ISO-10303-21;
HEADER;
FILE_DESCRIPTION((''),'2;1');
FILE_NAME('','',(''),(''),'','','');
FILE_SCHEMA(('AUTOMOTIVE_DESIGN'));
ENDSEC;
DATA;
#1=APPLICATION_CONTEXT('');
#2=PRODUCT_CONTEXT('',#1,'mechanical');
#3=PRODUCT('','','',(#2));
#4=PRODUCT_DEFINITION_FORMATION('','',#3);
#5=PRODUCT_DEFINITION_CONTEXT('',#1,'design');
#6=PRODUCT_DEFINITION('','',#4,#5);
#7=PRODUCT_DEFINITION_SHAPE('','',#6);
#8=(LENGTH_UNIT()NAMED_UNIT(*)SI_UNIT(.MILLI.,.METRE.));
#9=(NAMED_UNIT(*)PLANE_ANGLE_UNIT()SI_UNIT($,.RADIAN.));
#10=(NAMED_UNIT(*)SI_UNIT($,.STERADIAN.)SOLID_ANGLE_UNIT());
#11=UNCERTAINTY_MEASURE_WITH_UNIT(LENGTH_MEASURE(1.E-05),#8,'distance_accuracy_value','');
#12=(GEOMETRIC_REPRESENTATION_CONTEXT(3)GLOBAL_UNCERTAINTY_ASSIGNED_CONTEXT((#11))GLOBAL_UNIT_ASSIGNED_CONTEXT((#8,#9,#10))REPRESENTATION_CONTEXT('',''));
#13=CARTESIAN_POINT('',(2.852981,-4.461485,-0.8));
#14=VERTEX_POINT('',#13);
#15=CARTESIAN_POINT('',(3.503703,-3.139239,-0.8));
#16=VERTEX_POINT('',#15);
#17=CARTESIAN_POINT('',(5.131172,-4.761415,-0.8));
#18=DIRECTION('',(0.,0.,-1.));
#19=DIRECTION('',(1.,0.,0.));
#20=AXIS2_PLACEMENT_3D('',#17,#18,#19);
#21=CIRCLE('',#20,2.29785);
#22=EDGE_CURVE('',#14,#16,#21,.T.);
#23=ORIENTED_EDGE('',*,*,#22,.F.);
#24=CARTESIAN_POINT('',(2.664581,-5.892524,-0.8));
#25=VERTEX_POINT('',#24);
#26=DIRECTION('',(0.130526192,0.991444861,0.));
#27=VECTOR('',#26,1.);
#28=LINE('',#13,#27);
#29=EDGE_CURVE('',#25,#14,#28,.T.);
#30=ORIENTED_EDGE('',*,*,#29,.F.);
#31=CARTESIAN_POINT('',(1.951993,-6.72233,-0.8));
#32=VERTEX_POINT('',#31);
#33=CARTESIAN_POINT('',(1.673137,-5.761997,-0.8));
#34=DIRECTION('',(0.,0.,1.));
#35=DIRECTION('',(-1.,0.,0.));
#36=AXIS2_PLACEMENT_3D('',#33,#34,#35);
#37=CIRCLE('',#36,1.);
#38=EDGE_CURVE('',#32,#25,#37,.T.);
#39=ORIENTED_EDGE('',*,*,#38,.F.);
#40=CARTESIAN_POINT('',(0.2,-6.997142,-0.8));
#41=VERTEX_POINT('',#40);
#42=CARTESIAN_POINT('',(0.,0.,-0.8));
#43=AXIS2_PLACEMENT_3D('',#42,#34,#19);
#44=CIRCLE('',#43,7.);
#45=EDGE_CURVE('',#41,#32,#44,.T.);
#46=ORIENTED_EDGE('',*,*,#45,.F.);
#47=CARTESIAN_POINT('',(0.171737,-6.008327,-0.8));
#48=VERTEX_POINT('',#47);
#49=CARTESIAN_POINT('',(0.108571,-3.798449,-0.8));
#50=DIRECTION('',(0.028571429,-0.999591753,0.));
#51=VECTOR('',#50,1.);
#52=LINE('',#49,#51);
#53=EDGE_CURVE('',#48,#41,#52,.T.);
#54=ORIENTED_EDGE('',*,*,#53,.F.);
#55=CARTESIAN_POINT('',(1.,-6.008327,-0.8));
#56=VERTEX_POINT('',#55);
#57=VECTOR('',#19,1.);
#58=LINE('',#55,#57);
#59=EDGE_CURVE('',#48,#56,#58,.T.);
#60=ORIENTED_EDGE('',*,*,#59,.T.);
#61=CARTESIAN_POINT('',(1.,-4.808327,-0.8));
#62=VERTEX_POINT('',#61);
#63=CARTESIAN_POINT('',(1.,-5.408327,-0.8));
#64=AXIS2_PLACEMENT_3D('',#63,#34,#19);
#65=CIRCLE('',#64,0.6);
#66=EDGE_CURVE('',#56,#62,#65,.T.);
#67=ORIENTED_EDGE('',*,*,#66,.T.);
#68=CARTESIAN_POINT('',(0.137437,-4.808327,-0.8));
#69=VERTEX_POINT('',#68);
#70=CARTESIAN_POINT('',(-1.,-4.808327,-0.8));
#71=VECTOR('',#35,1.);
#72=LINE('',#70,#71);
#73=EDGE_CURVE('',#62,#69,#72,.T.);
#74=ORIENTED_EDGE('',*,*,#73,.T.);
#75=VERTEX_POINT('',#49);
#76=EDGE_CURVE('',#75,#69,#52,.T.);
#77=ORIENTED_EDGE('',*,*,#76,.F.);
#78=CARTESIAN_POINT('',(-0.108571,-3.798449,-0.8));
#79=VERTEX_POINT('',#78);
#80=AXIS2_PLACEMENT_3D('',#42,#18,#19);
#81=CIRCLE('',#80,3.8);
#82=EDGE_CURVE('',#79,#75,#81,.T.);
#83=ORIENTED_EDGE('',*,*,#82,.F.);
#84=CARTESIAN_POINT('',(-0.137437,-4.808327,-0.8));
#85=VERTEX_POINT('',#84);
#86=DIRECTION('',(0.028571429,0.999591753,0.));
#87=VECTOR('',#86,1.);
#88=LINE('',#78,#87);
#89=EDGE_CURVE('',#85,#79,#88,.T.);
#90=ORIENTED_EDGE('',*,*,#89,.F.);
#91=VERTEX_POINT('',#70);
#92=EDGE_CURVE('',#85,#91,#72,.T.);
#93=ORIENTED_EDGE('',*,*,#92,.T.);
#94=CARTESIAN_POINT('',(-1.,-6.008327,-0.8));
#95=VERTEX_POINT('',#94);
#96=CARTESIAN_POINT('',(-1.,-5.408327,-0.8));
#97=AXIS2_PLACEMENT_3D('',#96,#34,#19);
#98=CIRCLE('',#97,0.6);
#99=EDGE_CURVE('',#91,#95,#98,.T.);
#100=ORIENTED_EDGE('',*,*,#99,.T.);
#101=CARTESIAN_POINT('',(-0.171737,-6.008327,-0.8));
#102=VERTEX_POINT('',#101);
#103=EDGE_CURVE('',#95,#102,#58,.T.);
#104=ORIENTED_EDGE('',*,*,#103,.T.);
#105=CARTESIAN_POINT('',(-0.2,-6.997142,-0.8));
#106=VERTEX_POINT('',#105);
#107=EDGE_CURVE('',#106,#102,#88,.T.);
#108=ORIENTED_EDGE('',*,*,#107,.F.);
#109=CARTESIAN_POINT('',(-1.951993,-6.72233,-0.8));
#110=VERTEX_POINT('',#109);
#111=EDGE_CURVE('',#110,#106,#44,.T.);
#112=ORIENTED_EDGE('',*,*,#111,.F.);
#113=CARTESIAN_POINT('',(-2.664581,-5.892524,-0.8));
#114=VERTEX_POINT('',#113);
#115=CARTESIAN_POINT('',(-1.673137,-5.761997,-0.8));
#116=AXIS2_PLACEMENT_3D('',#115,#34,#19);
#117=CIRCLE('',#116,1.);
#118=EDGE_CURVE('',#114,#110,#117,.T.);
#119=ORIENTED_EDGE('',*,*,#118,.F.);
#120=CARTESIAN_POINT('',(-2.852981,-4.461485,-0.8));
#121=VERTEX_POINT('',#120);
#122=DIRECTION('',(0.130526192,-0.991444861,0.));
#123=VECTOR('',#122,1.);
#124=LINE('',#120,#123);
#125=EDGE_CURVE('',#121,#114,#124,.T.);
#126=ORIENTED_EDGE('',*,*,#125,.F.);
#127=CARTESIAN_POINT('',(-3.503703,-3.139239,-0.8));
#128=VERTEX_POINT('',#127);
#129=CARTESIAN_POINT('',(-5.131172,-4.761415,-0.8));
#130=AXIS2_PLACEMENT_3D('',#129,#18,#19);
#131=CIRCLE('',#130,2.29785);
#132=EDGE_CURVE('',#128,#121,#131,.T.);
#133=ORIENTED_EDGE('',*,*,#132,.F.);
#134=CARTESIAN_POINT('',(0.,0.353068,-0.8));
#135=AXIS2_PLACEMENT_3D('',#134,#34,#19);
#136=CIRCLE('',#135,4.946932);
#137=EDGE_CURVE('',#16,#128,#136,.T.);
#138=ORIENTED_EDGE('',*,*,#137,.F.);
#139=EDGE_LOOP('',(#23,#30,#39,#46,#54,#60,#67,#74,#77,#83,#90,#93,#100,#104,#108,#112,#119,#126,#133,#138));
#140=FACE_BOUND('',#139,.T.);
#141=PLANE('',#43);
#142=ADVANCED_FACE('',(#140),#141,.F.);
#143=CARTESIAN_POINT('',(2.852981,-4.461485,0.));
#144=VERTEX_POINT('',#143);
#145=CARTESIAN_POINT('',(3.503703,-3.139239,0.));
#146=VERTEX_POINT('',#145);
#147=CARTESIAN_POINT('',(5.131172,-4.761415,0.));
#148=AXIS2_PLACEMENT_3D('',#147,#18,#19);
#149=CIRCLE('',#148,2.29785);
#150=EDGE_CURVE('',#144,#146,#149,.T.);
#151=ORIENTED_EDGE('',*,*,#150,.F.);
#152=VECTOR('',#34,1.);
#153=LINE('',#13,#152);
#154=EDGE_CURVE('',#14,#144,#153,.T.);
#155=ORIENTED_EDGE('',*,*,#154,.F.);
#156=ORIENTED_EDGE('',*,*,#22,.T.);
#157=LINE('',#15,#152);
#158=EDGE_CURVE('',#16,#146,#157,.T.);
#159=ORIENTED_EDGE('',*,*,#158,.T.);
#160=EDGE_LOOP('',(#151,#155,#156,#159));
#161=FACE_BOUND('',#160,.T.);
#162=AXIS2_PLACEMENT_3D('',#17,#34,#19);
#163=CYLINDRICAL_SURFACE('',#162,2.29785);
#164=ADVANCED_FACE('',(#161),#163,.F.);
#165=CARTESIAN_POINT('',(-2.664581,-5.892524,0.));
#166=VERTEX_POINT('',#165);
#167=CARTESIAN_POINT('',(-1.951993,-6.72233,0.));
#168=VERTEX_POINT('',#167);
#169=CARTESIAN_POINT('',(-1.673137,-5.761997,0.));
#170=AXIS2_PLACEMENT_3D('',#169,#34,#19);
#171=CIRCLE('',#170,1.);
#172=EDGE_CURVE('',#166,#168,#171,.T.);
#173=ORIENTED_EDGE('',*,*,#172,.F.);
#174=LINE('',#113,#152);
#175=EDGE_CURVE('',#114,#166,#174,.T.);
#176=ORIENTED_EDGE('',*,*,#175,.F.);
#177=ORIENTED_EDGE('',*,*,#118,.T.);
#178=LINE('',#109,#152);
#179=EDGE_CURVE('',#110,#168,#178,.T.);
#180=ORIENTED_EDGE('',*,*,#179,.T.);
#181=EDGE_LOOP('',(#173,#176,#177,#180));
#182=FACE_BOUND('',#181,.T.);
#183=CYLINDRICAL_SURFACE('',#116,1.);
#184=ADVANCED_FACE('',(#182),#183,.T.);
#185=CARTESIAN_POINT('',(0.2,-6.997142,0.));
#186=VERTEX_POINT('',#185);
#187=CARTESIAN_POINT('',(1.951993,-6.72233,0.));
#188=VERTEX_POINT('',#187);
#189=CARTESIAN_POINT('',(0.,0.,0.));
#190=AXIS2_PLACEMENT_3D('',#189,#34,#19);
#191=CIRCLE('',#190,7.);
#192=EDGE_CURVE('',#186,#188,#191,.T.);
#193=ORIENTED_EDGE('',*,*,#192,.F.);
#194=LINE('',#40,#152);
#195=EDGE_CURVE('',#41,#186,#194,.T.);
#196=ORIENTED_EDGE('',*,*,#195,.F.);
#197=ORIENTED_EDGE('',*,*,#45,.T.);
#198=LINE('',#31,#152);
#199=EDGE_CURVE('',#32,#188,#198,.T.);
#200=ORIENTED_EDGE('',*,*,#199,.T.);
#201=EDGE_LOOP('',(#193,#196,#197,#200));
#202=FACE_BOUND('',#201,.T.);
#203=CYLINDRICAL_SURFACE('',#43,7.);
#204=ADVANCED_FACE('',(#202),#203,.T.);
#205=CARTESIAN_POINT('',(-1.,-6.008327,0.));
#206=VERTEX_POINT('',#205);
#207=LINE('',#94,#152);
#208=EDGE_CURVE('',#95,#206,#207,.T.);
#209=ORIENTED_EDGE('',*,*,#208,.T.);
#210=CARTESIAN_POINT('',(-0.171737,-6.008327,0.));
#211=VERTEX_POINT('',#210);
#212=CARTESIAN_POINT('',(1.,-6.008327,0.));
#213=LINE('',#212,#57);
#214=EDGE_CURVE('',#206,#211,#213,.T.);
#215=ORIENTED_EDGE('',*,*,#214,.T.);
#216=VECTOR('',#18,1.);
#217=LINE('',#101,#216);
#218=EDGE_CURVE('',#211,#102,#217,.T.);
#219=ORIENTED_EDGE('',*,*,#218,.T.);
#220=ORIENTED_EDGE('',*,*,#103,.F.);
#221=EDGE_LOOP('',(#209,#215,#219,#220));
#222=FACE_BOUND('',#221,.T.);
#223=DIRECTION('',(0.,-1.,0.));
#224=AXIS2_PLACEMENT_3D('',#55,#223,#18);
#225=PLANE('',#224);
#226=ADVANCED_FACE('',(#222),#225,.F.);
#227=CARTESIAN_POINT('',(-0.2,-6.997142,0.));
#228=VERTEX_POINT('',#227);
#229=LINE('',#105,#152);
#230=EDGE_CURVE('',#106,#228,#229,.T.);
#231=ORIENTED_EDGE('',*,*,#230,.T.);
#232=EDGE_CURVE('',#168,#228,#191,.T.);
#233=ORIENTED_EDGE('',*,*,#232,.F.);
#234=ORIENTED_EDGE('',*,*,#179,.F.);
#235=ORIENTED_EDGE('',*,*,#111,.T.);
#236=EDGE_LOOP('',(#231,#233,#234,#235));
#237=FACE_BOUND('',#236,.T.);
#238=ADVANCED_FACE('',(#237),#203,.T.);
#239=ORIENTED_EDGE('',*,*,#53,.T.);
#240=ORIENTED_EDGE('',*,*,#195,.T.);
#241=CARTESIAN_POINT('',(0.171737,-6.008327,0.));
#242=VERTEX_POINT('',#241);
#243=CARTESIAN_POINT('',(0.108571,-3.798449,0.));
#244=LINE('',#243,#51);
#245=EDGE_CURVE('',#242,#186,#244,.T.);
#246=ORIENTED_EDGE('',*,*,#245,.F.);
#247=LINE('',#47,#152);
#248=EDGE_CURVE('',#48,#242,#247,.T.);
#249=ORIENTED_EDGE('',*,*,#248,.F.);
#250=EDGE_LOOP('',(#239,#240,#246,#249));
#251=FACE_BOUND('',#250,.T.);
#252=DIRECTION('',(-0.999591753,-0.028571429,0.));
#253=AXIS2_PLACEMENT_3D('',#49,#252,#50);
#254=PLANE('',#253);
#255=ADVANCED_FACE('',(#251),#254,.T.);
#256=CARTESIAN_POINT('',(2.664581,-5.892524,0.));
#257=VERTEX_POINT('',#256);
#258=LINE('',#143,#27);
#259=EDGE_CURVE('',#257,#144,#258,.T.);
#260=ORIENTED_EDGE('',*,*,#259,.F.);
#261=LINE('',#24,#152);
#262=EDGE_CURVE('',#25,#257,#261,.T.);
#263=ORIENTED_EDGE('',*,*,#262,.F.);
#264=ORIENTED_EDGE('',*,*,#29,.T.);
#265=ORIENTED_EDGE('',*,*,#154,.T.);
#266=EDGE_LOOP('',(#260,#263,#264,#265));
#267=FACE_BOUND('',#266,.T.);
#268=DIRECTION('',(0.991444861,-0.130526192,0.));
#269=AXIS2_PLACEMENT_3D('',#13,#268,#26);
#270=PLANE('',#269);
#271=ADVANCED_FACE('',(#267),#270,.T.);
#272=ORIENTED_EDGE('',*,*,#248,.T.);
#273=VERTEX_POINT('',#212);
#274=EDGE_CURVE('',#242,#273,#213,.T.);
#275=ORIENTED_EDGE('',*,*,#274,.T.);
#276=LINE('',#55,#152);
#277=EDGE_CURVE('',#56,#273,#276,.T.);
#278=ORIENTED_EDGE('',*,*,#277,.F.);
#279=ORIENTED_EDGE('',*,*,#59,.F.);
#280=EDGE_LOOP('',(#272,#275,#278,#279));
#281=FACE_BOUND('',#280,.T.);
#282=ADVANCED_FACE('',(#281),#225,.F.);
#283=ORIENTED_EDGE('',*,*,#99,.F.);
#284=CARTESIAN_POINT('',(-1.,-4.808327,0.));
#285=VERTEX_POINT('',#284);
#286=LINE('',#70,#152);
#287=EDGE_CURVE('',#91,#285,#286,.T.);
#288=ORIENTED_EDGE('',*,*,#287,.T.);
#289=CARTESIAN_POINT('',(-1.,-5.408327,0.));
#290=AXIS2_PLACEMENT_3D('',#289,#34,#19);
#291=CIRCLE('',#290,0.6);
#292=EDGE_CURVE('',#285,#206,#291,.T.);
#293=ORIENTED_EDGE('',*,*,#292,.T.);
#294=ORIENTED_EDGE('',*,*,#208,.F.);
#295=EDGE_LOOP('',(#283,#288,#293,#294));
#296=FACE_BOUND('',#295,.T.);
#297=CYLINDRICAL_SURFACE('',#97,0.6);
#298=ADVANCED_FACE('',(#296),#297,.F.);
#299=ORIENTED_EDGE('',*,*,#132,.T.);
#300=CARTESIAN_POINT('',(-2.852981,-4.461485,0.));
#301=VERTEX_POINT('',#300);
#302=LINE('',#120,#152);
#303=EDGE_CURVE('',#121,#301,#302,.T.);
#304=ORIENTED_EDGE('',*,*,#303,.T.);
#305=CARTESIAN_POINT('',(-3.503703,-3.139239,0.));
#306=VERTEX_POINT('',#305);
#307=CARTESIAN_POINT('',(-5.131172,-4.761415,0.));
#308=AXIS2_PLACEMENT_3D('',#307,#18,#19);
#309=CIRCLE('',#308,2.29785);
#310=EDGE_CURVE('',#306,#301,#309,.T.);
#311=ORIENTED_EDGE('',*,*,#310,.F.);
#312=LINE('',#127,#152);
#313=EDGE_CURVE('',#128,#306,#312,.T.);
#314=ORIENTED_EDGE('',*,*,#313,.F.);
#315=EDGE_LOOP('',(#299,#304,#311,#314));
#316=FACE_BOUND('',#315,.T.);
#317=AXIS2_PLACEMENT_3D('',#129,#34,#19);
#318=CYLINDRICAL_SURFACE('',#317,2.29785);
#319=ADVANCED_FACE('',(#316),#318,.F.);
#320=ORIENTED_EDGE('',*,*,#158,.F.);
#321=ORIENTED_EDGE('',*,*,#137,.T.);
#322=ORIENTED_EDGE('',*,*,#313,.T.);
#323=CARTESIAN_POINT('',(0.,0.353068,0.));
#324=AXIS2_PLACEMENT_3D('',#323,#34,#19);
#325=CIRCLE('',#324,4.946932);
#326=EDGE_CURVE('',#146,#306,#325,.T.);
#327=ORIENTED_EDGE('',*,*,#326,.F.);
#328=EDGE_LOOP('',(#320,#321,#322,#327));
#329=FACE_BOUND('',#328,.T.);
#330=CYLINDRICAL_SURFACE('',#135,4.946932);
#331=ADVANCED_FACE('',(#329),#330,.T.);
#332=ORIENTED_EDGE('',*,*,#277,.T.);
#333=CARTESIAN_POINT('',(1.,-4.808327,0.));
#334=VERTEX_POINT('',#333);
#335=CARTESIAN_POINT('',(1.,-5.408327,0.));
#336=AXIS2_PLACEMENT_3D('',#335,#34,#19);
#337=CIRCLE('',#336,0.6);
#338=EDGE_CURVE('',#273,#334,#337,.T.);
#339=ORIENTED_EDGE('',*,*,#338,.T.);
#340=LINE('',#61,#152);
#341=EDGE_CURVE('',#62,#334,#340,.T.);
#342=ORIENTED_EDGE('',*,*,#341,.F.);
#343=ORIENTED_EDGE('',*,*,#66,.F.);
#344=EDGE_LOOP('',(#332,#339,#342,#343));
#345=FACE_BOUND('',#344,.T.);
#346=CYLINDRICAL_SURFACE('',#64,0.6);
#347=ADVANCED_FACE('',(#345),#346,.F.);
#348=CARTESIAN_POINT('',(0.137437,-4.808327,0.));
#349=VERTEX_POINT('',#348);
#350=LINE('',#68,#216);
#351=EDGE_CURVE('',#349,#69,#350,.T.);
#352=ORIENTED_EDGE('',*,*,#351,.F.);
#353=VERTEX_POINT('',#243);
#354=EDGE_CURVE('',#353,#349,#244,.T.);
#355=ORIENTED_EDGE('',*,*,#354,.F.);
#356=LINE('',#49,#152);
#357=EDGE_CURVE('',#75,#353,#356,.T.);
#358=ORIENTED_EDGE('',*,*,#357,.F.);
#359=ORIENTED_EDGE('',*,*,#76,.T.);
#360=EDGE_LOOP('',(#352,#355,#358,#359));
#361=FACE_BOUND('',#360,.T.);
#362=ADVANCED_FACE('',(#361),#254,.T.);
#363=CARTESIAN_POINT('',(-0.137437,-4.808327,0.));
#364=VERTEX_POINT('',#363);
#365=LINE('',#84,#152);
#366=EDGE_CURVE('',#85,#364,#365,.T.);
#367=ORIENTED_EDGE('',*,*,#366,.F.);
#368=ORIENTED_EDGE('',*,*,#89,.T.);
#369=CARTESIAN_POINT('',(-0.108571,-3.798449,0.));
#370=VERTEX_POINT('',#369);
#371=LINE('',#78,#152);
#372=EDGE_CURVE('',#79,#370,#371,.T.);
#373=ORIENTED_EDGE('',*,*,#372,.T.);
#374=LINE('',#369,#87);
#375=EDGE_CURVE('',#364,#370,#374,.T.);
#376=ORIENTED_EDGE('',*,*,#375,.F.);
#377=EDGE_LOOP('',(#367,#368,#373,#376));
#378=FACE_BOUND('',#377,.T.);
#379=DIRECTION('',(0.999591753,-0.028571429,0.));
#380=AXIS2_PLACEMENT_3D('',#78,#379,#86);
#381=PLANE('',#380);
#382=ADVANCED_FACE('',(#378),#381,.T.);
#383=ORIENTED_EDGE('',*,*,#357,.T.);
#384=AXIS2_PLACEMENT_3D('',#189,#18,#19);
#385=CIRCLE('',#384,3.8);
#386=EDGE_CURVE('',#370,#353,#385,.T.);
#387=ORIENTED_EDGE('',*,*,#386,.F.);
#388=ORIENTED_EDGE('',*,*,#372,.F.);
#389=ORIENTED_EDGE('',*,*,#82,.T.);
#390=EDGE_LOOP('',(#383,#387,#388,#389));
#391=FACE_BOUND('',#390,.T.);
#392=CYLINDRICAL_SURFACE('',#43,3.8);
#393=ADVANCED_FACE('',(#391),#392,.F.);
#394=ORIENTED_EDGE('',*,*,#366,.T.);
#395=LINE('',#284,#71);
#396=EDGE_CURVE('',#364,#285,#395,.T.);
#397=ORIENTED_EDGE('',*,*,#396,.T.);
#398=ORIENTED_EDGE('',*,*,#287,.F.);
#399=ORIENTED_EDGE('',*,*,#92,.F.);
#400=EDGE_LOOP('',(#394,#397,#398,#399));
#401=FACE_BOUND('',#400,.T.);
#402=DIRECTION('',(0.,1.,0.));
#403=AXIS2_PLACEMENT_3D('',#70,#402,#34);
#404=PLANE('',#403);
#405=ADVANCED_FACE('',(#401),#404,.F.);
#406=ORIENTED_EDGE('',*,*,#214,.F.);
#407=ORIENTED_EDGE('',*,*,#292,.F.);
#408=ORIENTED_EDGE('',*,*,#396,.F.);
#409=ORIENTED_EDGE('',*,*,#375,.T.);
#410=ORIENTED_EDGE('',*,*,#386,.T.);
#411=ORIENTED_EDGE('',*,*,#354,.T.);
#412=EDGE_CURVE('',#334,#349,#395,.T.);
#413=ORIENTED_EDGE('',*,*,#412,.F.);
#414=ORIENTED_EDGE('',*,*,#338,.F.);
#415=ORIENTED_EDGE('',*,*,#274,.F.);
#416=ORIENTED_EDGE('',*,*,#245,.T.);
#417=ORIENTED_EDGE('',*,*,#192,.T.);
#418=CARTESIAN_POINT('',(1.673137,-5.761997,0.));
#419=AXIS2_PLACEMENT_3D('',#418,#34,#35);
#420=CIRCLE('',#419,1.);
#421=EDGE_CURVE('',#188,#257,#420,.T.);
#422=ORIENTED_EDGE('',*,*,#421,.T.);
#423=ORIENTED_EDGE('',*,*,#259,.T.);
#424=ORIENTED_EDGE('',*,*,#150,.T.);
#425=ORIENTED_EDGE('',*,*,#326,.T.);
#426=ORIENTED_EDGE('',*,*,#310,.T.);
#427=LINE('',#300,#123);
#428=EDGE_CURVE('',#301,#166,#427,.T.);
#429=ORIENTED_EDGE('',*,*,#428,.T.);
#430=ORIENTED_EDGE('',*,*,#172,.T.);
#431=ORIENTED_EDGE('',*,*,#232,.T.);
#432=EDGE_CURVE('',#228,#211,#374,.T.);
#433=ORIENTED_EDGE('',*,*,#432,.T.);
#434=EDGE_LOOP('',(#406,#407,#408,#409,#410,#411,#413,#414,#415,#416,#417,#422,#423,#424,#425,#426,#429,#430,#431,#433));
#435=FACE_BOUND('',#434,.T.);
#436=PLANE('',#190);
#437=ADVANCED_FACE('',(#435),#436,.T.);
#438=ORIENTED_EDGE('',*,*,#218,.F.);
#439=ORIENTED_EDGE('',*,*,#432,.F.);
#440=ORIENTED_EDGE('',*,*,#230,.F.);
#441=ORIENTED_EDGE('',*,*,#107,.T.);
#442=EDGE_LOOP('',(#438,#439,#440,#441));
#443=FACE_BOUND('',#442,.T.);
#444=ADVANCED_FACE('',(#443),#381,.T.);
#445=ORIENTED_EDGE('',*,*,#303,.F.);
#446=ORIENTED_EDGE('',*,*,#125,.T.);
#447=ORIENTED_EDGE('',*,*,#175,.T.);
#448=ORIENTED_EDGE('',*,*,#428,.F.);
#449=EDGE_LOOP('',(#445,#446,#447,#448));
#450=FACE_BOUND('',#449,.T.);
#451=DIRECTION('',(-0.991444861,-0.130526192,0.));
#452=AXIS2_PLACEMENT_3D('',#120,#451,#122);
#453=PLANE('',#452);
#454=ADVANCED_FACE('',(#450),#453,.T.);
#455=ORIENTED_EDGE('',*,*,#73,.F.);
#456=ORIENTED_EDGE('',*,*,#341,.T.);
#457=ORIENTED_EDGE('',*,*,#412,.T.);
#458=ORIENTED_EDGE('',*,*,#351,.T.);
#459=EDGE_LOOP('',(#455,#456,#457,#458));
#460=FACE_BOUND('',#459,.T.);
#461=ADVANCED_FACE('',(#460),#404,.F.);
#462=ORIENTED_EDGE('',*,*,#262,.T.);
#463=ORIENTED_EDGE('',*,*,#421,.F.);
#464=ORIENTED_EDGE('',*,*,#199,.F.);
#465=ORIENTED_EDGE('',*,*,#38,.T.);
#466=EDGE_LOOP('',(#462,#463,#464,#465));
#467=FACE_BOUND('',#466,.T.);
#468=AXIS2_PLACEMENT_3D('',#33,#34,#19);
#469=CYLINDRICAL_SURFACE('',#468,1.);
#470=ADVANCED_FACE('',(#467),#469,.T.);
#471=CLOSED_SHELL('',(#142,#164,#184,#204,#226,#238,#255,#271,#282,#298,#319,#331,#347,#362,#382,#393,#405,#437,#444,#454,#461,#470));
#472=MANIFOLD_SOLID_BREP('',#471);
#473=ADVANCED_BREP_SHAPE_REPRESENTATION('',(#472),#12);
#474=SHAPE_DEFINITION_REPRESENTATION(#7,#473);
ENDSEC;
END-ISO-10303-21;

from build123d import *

# Parameters (mm, degrees)
BODYSKE_R   = 0.6
BODY_DEPTH  = 0.8
NOTSKE_W    = 2
NOTSKE_H    = 1.2
NOTCH_DEPTH = 9.606517152


with BuildPart() as part:
    # BodySke → Body (new body)
    with BuildSketch(Plane.XY):
        with BuildLine():
            Line((0.108571429, -3.798448663), (0.2, -6.997142274))
            ThreePointArc((0.2, -6.997142274), (1.084734325, -6.915442968), (1.951992703, -6.722330287))
            ThreePointArc((1.951992703, -6.722330287), (2.431793921, -6.413487277), (2.664581464, -5.892523581))
            Line((2.664581464, -5.892523581), (2.852981252, -4.461485117))
            ThreePointArc((2.852981252, -4.461485117), (3.069466671, -3.746780682), (3.503702758, -3.139238596))
            ThreePointArc((3.503702758, -3.139238596), (0, 5.3), (-3.503702758, -3.139238596))
            ThreePointArc((-3.503702758, -3.139238596), (-3.069466671, -3.746780682), (-2.852981252, -4.461485117))
            Line((-2.852981252, -4.461485117), (-2.664581464, -5.892523581))
            ThreePointArc((-2.664581464, -5.892523581), (-2.431793921, -6.413487277), (-1.951992703, -6.722330287))
            ThreePointArc((-1.951992703, -6.722330287), (-1.084734325, -6.915442968), (-0.2, -6.997142274))
            Line((-0.2, -6.997142274), (-0.108571429, -3.798448663))
            ThreePointArc((-0.108571429, -3.798448663), (0, 3.8), (0.108571429, -3.798448663))
        make_face()
        with Locations((1, -5.408326913)):
            Circle(BODYSKE_R, mode=Mode.SUBTRACT)
        with Locations((-1, -5.408326913)):
            Circle(BODYSKE_R, mode=Mode.SUBTRACT)
    extrude(amount=-BODY_DEPTH)

    # NotSke → Notch (cut, through all)
    with BuildSketch(Plane.XY):
        with Locations((0, -5.408326913)):
            Rectangle(NOTSKE_W, NOTSKE_H)
    extrude(amount=-NOTCH_DEPTH, mode=Mode.SUBTRACT)


solid = part.part
